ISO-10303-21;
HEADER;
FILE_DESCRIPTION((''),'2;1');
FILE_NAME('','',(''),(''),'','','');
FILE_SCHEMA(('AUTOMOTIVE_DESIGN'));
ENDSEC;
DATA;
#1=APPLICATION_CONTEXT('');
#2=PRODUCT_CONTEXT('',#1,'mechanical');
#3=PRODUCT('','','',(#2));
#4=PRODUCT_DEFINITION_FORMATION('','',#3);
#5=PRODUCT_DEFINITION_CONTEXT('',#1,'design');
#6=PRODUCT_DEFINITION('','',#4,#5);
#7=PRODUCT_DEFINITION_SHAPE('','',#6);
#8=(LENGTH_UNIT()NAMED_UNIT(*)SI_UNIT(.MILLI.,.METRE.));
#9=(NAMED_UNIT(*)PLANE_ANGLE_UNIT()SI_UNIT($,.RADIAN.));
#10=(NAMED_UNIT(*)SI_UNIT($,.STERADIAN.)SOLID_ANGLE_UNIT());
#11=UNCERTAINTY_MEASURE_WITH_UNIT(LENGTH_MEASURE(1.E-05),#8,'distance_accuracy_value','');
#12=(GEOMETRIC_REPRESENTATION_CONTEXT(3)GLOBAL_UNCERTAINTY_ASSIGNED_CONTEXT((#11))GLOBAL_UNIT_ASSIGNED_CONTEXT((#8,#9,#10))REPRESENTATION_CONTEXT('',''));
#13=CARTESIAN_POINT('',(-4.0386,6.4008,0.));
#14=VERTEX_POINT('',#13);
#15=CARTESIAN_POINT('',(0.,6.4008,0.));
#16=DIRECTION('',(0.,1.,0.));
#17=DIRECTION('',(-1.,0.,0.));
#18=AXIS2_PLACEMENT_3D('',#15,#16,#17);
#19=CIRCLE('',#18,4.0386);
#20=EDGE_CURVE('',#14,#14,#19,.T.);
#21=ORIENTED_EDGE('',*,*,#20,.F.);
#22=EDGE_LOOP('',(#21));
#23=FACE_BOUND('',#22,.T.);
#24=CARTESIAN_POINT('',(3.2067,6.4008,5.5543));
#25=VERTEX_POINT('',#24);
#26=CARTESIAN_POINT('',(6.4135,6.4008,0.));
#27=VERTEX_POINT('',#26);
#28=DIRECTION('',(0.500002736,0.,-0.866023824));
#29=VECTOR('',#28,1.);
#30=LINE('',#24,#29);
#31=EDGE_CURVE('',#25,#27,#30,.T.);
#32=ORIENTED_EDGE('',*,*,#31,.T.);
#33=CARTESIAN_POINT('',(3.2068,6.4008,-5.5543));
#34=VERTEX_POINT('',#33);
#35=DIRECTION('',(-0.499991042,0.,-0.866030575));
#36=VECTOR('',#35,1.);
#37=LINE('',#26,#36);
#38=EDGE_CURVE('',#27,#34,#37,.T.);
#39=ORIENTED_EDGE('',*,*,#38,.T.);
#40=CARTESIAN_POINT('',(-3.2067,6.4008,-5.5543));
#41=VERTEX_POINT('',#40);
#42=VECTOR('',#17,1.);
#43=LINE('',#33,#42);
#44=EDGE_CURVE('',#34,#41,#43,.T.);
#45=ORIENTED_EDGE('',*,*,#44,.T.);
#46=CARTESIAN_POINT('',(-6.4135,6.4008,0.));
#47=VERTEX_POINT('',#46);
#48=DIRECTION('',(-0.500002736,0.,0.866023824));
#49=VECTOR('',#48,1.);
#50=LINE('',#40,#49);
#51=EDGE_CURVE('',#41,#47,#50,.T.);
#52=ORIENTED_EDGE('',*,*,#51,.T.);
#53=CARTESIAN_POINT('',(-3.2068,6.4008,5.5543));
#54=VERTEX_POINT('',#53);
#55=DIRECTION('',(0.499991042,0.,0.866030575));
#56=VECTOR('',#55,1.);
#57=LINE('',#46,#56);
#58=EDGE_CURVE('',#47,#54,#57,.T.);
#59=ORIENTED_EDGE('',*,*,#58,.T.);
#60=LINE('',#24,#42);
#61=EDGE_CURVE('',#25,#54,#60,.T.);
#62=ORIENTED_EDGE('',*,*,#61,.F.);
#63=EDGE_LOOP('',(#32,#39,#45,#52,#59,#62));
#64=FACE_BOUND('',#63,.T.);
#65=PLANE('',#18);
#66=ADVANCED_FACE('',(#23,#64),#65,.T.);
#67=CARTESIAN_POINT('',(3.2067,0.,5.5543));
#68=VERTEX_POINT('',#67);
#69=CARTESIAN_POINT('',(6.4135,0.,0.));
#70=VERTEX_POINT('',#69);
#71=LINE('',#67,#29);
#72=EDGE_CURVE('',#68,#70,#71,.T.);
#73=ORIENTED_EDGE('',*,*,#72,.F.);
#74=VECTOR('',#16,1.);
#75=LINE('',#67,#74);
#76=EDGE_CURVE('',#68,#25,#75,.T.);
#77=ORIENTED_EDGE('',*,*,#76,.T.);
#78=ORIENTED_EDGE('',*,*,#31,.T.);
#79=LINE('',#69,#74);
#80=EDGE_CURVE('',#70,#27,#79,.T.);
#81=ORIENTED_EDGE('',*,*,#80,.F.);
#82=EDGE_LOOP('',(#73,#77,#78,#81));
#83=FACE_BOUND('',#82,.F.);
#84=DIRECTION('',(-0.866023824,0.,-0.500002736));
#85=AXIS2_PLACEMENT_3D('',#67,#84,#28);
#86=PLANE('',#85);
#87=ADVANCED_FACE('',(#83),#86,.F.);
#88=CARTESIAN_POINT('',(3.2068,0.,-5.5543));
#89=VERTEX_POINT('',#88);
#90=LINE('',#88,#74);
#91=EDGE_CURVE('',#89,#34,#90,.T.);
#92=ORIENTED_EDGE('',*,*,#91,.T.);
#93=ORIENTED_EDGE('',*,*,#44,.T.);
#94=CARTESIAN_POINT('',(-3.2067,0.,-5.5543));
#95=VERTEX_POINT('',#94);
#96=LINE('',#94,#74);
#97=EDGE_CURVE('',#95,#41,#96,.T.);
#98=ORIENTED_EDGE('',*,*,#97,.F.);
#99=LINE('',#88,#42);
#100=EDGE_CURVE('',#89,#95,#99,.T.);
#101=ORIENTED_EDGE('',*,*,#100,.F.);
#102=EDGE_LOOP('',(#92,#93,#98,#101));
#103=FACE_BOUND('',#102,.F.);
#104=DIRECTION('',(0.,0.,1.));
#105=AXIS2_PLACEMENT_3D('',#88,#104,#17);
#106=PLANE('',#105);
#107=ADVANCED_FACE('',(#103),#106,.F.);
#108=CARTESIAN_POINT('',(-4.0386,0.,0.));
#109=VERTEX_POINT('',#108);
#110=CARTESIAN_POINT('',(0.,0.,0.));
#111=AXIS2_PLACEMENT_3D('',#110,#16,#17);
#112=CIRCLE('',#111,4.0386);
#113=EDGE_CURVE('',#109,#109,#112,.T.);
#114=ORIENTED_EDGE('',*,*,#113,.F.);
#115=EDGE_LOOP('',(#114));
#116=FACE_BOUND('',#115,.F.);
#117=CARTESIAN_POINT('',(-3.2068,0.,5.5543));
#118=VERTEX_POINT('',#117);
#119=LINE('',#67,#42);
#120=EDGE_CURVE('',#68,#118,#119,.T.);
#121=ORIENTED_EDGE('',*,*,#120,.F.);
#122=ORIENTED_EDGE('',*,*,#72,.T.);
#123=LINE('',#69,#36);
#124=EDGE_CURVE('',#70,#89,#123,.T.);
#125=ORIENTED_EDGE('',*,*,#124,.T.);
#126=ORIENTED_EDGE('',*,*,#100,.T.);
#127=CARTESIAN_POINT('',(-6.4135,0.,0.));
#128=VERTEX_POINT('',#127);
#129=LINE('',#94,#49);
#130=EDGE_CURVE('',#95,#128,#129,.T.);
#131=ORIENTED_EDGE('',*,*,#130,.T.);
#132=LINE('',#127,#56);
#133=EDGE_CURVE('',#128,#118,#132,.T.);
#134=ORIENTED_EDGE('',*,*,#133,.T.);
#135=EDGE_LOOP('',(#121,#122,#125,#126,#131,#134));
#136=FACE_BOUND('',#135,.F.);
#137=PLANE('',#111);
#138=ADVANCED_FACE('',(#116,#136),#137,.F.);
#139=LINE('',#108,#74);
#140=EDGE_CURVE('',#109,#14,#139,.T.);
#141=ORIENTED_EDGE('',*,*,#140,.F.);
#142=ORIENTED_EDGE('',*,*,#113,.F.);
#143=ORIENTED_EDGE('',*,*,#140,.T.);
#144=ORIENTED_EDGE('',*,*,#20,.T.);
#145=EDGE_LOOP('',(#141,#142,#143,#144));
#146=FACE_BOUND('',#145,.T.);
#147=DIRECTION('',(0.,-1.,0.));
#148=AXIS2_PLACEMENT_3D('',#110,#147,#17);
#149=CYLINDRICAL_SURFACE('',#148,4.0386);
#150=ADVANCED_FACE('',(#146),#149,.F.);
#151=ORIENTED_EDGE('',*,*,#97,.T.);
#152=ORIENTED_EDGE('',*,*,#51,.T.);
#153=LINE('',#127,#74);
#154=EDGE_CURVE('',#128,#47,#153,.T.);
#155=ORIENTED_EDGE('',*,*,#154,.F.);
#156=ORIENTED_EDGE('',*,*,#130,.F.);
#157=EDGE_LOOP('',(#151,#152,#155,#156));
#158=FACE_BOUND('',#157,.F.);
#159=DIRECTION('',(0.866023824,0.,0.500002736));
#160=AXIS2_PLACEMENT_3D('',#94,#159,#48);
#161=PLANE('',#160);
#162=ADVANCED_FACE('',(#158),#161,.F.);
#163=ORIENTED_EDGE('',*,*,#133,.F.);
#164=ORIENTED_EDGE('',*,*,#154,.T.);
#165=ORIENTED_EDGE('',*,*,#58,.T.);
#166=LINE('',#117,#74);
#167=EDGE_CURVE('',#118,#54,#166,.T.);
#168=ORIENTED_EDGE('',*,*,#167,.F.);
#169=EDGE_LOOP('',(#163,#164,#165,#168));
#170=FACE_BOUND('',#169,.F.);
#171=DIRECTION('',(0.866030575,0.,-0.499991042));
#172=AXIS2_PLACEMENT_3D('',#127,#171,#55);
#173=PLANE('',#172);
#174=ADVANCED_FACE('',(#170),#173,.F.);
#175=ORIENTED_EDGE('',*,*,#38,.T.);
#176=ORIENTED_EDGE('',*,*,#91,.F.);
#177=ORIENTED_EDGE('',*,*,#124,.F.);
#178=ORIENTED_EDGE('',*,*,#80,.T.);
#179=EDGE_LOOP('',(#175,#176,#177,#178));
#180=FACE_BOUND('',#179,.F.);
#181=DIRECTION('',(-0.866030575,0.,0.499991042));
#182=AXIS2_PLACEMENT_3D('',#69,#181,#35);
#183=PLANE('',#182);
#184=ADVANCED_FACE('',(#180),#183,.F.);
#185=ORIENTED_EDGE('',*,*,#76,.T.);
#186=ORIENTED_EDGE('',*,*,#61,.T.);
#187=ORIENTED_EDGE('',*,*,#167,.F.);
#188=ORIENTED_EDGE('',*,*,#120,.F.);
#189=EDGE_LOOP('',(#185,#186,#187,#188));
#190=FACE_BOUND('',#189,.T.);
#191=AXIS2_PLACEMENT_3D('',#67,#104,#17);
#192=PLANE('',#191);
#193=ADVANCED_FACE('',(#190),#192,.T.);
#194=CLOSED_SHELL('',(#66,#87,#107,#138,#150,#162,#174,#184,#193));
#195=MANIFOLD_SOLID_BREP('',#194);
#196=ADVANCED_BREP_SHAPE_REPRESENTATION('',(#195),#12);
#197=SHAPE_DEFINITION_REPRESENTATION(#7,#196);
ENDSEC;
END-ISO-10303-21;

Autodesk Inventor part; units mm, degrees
ref_plane "YZ Plane" through (0, 0, 0) normal (1, 0, 0) x (0, 1, 0)
ref_plane "XZ Plane" through (0, 0, 0) normal (0, 1, 0) x (-1, 0, 0)
ref_plane "XY Plane" through (0, 0, 0) normal (0, 0, 1) x (1, 0, 0)
sketch "Sketch1" plane through (0, 0, 0) normal (0, 1, 0) x (-1, 0, 0)
  circle A0 centre (0, 0) radius 6.4135 construction
  line L0 (-3.2067, 5.5543) -> (3.2068, 5.5543)
  line L1 (-3.2067, 5.5543) -> (-6.4135, 0)
  line L2 (-6.4135, 0) -> (-3.2068, -5.5543)
  line L3 (-3.2068, -5.5543) -> (3.2067, -5.5543)
  line L4 (3.2067, -5.5543) -> (6.4135, 0)
  line L5 (6.4135, 0) -> (3.2068, 5.5543)
  circle A1 centre (0, 0) radius 4.0386
  dimension "d0" = 12.827
  dimension "d1" = 8.0772
extrude "Extrusion1" add sketch "Sketch1" along normal blind 6.4008
properties part number "denso-gates-15 spacer"
